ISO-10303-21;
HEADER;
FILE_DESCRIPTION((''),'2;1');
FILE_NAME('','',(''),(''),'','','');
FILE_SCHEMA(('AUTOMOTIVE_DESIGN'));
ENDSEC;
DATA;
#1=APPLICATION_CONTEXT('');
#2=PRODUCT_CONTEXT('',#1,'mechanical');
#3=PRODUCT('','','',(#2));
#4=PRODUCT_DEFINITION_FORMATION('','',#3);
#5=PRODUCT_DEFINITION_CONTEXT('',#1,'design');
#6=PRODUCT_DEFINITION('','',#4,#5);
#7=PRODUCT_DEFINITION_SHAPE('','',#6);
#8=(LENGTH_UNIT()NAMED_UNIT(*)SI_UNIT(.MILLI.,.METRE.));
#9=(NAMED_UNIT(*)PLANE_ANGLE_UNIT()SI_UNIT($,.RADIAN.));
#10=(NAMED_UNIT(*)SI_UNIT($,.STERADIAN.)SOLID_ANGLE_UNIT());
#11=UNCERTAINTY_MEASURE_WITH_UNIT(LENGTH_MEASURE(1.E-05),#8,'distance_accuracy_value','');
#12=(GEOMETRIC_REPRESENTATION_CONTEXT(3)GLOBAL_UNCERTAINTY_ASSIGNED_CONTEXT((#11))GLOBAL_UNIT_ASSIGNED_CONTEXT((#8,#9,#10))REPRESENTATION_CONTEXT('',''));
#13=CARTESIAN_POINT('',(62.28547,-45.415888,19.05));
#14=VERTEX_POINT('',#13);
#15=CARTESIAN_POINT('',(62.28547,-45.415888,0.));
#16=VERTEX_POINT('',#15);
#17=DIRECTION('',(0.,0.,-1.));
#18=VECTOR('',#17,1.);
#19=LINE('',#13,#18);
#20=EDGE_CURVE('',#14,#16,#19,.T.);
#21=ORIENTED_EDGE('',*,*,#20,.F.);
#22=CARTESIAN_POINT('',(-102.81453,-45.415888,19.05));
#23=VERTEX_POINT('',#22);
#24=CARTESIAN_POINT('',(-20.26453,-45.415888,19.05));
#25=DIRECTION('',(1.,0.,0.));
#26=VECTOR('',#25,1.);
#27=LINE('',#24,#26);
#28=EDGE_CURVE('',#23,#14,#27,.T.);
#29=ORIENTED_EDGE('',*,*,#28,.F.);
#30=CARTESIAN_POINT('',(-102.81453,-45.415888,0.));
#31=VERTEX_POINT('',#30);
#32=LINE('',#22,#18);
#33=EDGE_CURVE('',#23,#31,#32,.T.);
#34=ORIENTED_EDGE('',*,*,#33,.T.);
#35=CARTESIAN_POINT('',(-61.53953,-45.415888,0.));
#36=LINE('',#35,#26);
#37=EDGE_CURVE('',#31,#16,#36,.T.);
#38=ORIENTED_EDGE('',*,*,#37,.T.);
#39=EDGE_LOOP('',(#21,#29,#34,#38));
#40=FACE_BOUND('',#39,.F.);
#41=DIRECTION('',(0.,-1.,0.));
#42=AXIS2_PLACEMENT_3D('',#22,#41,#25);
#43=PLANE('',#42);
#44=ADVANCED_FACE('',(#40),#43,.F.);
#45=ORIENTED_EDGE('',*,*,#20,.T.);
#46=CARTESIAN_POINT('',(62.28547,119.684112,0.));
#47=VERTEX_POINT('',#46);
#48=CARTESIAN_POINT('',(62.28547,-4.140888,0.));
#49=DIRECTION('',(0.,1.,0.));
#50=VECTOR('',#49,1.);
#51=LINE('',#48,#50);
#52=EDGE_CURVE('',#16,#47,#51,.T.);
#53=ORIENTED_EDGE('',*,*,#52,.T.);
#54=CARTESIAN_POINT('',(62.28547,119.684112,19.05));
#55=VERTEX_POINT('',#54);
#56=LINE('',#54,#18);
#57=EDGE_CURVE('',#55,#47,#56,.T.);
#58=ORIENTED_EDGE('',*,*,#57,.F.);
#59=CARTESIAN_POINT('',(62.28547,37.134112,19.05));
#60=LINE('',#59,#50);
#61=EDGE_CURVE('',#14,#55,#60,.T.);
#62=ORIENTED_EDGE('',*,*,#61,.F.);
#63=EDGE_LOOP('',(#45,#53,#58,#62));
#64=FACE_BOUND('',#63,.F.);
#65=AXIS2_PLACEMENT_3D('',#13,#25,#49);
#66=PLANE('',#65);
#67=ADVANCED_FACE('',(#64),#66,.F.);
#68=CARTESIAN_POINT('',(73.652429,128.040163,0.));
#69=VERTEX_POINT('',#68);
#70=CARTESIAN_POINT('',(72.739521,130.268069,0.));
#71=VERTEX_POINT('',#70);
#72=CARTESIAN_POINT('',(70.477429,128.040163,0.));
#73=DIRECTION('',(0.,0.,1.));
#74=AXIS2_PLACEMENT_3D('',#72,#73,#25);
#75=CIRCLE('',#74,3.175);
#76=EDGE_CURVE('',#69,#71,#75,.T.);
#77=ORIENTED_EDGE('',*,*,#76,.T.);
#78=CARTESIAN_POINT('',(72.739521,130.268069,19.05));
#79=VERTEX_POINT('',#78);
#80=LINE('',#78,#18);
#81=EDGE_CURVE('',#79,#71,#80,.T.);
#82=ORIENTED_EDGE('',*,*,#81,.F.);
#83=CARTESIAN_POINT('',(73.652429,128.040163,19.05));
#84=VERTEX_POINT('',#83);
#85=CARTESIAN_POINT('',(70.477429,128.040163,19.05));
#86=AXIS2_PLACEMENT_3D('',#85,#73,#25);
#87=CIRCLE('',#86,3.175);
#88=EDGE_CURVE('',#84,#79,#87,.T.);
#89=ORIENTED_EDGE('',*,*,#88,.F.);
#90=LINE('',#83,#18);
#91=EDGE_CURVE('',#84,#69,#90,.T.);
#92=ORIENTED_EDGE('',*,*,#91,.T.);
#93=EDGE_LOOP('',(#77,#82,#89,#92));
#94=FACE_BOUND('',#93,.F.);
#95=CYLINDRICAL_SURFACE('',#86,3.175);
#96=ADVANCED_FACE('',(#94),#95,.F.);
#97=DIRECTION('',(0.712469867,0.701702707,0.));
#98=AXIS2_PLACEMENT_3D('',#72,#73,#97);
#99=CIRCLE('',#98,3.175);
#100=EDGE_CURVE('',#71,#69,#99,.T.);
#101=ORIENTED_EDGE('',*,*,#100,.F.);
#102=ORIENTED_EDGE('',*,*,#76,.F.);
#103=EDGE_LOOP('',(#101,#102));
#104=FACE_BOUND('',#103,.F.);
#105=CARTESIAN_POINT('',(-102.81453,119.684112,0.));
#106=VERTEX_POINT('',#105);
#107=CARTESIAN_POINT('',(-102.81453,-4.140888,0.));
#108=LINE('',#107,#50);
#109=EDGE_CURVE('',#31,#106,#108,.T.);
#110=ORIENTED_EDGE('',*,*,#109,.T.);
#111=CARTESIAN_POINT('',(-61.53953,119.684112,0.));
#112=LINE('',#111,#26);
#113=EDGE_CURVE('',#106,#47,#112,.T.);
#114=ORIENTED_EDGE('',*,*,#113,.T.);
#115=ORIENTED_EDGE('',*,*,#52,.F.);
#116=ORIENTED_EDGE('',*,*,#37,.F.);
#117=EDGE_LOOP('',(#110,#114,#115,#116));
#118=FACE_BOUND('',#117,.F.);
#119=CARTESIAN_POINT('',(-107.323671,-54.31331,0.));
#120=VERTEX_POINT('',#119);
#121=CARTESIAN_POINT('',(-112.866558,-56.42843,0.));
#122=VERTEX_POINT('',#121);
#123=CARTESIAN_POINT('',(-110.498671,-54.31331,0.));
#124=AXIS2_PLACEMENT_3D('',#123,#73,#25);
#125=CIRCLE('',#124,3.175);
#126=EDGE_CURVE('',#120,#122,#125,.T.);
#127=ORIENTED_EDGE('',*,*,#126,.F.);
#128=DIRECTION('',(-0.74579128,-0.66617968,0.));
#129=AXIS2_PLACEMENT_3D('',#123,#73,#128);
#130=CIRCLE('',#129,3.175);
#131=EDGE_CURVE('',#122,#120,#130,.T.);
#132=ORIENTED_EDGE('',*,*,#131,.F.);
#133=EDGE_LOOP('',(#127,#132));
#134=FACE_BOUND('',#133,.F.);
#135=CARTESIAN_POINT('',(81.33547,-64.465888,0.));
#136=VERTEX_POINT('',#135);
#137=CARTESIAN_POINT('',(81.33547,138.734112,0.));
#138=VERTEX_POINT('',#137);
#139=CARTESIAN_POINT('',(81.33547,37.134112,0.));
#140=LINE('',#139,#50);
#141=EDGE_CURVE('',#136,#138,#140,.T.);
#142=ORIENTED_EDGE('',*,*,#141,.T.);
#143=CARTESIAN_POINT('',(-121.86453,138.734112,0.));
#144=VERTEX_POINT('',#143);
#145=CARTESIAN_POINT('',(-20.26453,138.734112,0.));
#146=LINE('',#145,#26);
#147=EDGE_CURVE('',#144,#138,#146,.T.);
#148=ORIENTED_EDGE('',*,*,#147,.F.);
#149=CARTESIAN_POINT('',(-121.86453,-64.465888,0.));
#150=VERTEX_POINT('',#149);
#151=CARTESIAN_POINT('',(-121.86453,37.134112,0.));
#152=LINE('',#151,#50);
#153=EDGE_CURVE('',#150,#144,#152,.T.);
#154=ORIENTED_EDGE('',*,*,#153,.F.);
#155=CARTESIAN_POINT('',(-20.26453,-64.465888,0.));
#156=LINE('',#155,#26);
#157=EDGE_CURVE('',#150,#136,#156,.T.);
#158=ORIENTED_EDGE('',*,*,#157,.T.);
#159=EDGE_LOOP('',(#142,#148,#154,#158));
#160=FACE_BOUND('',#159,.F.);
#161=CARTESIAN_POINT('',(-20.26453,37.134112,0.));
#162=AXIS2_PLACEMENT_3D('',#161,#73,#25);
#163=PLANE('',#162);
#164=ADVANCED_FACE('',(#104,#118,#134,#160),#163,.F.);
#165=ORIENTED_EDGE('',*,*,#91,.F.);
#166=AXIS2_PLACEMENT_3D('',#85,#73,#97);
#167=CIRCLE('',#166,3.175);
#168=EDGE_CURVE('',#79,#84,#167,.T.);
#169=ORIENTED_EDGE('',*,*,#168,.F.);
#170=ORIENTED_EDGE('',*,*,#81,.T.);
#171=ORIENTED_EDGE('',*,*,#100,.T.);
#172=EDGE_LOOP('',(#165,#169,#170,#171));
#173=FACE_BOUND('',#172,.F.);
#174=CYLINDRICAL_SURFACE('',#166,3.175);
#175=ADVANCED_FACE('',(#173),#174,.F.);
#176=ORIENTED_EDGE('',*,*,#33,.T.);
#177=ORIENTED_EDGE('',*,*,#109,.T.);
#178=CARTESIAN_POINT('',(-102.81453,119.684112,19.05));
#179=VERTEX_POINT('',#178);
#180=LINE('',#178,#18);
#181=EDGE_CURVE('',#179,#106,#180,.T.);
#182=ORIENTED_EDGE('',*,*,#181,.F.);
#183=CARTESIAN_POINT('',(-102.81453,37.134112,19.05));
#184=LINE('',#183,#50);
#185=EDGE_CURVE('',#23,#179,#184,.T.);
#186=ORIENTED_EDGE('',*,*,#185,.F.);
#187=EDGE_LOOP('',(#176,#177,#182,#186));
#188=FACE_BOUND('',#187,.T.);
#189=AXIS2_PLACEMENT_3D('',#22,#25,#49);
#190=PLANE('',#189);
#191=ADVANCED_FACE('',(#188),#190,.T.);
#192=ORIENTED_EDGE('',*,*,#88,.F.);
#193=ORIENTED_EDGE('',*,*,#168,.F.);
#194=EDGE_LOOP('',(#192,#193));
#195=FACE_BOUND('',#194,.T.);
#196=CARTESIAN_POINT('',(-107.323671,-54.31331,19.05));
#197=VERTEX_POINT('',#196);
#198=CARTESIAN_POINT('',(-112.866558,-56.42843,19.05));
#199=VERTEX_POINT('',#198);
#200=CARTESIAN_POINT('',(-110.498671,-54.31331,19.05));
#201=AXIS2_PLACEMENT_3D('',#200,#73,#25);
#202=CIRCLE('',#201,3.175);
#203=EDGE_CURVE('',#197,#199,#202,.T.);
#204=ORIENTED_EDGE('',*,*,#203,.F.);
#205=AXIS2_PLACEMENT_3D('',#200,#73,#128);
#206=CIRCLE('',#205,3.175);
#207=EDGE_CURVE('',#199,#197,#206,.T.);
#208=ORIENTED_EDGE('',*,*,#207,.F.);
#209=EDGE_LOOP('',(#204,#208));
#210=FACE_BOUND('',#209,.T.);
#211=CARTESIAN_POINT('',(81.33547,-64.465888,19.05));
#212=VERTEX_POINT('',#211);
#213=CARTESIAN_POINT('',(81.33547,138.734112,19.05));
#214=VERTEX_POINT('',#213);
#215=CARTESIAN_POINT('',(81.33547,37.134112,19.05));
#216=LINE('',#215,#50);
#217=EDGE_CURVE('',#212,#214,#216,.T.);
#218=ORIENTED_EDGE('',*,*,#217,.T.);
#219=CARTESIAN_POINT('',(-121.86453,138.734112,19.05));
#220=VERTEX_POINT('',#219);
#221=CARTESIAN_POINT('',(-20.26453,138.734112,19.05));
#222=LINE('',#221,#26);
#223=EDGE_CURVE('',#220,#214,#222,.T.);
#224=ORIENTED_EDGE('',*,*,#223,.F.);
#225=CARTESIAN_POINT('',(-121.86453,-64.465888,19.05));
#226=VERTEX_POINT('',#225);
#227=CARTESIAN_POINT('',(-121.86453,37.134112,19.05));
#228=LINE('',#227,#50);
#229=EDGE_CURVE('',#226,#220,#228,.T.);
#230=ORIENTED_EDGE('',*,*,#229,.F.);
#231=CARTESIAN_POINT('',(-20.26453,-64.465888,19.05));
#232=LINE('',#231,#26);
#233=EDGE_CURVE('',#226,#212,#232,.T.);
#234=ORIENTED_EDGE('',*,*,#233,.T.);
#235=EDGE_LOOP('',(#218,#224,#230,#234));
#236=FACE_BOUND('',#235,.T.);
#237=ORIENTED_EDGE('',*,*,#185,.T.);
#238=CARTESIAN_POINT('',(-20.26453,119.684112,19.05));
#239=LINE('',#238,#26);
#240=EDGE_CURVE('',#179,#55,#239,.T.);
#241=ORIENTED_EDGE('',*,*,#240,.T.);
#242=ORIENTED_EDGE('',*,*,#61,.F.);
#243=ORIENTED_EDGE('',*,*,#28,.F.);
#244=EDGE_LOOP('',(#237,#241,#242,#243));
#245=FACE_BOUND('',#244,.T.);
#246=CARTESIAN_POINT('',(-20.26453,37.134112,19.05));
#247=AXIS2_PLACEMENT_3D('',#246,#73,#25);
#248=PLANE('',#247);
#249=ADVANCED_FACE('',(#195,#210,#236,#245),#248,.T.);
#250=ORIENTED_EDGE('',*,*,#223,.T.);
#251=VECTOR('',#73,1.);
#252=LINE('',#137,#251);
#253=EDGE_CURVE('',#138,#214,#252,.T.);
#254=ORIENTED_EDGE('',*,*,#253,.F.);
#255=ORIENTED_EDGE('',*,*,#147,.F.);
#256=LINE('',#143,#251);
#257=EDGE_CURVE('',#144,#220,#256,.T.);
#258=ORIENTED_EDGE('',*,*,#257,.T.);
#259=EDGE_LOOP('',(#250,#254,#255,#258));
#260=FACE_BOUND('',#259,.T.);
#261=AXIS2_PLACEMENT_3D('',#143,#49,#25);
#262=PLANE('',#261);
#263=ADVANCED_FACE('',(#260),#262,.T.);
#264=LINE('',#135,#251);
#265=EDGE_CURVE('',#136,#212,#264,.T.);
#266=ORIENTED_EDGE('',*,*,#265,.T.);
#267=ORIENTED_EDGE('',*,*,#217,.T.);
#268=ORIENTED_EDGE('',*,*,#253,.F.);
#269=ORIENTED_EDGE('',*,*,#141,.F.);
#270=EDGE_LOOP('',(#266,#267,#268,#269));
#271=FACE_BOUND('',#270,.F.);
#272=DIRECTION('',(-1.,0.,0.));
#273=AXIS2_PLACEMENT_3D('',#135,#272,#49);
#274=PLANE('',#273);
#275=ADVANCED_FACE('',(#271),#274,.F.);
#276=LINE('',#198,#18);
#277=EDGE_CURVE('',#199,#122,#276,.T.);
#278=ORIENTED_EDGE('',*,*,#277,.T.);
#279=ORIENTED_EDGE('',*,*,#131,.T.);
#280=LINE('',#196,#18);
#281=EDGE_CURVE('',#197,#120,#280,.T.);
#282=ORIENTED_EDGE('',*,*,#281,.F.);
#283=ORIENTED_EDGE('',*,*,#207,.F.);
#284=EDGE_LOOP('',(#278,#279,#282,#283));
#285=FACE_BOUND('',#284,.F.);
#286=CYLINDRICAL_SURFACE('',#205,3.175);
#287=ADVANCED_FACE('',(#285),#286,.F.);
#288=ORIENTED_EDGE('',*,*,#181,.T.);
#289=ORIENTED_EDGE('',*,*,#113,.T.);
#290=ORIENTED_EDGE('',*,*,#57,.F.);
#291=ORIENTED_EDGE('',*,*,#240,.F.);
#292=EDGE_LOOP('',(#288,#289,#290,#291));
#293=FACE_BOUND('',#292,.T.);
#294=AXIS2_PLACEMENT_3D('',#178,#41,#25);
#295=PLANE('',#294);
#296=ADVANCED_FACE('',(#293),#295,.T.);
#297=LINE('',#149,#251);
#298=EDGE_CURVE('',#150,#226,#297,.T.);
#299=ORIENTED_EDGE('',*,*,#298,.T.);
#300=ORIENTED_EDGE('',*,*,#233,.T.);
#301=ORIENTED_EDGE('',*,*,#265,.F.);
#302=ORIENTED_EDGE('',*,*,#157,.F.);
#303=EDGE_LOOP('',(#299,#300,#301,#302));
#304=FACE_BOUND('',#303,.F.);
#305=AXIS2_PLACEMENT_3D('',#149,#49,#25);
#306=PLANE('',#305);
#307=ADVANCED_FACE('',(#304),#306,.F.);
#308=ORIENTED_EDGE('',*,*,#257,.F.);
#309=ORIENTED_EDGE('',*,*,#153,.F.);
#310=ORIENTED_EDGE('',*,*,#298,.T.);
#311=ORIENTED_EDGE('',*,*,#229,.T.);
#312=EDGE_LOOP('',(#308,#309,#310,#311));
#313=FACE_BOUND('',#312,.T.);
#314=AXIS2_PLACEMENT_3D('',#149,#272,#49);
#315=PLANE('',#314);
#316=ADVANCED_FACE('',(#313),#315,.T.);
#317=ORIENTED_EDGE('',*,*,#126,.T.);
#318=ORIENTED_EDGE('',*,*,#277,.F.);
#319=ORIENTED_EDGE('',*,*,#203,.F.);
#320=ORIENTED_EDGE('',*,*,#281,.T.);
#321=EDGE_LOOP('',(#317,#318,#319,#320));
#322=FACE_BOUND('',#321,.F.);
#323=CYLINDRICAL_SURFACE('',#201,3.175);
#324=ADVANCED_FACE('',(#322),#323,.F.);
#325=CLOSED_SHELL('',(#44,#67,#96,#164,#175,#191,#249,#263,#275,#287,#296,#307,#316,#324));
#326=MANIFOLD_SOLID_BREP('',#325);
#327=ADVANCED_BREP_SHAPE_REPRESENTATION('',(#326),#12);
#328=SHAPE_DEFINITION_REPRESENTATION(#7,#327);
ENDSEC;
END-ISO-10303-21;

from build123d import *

# Parameters (mm, degrees)
F0_W     = 203.2
F0_H     = 203.2
F1_DEPTH = 19.05
F2_W     = 165.1
F2_H     = 165.1
F3_DEPTH = 19.051
F5_DEPTH = 19.051


with BuildPart() as f1:
    # F0 (on Top) → F1 (new body)
    with BuildSketch(Plane.XY):
        with Locations((-20.2645299196, 37.1341121554)):
            Rectangle(F0_W, F0_H)
    extrude(amount=F1_DEPTH)

    # F2 (on face) → F3 (cut, through all)
    with BuildSketch(Plane.XY.offset(19.05)):
        with Locations((-20.2645299196, 37.1341121554)):
            Rectangle(F2_W, F2_H)
    extrude(amount=-F3_DEPTH, mode=Mode.SUBTRACT)

    # F4 (on face) → F5 (cut, through all)
    with BuildSketch(Plane.XY.offset(19.05)):
        with BuildLine():
            ThreePointArc((-107.3236708058, -54.3133095216), (-111.6306122296, -51.3469424483), (-112.8665581212, -56.4284300055))
            ThreePointArc((-112.8665581212, -56.4284300055), (-109.366729382, -57.2796765948), (-107.3236708058, -54.3133095216))
        make_face()
        with BuildLine():
            ThreePointArc((73.6524293098, 128.0401629025), (73.4153509009, 129.2440074624), (72.739521137, 130.2680689969))
            ThreePointArc((72.739521137, 130.2680689969), (67.5395077186, 126.8363183426), (73.6524293098, 128.0401629025))
        make_face()
    extrude(amount=-F5_DEPTH, mode=Mode.SUBTRACT)


solid = f1.part
